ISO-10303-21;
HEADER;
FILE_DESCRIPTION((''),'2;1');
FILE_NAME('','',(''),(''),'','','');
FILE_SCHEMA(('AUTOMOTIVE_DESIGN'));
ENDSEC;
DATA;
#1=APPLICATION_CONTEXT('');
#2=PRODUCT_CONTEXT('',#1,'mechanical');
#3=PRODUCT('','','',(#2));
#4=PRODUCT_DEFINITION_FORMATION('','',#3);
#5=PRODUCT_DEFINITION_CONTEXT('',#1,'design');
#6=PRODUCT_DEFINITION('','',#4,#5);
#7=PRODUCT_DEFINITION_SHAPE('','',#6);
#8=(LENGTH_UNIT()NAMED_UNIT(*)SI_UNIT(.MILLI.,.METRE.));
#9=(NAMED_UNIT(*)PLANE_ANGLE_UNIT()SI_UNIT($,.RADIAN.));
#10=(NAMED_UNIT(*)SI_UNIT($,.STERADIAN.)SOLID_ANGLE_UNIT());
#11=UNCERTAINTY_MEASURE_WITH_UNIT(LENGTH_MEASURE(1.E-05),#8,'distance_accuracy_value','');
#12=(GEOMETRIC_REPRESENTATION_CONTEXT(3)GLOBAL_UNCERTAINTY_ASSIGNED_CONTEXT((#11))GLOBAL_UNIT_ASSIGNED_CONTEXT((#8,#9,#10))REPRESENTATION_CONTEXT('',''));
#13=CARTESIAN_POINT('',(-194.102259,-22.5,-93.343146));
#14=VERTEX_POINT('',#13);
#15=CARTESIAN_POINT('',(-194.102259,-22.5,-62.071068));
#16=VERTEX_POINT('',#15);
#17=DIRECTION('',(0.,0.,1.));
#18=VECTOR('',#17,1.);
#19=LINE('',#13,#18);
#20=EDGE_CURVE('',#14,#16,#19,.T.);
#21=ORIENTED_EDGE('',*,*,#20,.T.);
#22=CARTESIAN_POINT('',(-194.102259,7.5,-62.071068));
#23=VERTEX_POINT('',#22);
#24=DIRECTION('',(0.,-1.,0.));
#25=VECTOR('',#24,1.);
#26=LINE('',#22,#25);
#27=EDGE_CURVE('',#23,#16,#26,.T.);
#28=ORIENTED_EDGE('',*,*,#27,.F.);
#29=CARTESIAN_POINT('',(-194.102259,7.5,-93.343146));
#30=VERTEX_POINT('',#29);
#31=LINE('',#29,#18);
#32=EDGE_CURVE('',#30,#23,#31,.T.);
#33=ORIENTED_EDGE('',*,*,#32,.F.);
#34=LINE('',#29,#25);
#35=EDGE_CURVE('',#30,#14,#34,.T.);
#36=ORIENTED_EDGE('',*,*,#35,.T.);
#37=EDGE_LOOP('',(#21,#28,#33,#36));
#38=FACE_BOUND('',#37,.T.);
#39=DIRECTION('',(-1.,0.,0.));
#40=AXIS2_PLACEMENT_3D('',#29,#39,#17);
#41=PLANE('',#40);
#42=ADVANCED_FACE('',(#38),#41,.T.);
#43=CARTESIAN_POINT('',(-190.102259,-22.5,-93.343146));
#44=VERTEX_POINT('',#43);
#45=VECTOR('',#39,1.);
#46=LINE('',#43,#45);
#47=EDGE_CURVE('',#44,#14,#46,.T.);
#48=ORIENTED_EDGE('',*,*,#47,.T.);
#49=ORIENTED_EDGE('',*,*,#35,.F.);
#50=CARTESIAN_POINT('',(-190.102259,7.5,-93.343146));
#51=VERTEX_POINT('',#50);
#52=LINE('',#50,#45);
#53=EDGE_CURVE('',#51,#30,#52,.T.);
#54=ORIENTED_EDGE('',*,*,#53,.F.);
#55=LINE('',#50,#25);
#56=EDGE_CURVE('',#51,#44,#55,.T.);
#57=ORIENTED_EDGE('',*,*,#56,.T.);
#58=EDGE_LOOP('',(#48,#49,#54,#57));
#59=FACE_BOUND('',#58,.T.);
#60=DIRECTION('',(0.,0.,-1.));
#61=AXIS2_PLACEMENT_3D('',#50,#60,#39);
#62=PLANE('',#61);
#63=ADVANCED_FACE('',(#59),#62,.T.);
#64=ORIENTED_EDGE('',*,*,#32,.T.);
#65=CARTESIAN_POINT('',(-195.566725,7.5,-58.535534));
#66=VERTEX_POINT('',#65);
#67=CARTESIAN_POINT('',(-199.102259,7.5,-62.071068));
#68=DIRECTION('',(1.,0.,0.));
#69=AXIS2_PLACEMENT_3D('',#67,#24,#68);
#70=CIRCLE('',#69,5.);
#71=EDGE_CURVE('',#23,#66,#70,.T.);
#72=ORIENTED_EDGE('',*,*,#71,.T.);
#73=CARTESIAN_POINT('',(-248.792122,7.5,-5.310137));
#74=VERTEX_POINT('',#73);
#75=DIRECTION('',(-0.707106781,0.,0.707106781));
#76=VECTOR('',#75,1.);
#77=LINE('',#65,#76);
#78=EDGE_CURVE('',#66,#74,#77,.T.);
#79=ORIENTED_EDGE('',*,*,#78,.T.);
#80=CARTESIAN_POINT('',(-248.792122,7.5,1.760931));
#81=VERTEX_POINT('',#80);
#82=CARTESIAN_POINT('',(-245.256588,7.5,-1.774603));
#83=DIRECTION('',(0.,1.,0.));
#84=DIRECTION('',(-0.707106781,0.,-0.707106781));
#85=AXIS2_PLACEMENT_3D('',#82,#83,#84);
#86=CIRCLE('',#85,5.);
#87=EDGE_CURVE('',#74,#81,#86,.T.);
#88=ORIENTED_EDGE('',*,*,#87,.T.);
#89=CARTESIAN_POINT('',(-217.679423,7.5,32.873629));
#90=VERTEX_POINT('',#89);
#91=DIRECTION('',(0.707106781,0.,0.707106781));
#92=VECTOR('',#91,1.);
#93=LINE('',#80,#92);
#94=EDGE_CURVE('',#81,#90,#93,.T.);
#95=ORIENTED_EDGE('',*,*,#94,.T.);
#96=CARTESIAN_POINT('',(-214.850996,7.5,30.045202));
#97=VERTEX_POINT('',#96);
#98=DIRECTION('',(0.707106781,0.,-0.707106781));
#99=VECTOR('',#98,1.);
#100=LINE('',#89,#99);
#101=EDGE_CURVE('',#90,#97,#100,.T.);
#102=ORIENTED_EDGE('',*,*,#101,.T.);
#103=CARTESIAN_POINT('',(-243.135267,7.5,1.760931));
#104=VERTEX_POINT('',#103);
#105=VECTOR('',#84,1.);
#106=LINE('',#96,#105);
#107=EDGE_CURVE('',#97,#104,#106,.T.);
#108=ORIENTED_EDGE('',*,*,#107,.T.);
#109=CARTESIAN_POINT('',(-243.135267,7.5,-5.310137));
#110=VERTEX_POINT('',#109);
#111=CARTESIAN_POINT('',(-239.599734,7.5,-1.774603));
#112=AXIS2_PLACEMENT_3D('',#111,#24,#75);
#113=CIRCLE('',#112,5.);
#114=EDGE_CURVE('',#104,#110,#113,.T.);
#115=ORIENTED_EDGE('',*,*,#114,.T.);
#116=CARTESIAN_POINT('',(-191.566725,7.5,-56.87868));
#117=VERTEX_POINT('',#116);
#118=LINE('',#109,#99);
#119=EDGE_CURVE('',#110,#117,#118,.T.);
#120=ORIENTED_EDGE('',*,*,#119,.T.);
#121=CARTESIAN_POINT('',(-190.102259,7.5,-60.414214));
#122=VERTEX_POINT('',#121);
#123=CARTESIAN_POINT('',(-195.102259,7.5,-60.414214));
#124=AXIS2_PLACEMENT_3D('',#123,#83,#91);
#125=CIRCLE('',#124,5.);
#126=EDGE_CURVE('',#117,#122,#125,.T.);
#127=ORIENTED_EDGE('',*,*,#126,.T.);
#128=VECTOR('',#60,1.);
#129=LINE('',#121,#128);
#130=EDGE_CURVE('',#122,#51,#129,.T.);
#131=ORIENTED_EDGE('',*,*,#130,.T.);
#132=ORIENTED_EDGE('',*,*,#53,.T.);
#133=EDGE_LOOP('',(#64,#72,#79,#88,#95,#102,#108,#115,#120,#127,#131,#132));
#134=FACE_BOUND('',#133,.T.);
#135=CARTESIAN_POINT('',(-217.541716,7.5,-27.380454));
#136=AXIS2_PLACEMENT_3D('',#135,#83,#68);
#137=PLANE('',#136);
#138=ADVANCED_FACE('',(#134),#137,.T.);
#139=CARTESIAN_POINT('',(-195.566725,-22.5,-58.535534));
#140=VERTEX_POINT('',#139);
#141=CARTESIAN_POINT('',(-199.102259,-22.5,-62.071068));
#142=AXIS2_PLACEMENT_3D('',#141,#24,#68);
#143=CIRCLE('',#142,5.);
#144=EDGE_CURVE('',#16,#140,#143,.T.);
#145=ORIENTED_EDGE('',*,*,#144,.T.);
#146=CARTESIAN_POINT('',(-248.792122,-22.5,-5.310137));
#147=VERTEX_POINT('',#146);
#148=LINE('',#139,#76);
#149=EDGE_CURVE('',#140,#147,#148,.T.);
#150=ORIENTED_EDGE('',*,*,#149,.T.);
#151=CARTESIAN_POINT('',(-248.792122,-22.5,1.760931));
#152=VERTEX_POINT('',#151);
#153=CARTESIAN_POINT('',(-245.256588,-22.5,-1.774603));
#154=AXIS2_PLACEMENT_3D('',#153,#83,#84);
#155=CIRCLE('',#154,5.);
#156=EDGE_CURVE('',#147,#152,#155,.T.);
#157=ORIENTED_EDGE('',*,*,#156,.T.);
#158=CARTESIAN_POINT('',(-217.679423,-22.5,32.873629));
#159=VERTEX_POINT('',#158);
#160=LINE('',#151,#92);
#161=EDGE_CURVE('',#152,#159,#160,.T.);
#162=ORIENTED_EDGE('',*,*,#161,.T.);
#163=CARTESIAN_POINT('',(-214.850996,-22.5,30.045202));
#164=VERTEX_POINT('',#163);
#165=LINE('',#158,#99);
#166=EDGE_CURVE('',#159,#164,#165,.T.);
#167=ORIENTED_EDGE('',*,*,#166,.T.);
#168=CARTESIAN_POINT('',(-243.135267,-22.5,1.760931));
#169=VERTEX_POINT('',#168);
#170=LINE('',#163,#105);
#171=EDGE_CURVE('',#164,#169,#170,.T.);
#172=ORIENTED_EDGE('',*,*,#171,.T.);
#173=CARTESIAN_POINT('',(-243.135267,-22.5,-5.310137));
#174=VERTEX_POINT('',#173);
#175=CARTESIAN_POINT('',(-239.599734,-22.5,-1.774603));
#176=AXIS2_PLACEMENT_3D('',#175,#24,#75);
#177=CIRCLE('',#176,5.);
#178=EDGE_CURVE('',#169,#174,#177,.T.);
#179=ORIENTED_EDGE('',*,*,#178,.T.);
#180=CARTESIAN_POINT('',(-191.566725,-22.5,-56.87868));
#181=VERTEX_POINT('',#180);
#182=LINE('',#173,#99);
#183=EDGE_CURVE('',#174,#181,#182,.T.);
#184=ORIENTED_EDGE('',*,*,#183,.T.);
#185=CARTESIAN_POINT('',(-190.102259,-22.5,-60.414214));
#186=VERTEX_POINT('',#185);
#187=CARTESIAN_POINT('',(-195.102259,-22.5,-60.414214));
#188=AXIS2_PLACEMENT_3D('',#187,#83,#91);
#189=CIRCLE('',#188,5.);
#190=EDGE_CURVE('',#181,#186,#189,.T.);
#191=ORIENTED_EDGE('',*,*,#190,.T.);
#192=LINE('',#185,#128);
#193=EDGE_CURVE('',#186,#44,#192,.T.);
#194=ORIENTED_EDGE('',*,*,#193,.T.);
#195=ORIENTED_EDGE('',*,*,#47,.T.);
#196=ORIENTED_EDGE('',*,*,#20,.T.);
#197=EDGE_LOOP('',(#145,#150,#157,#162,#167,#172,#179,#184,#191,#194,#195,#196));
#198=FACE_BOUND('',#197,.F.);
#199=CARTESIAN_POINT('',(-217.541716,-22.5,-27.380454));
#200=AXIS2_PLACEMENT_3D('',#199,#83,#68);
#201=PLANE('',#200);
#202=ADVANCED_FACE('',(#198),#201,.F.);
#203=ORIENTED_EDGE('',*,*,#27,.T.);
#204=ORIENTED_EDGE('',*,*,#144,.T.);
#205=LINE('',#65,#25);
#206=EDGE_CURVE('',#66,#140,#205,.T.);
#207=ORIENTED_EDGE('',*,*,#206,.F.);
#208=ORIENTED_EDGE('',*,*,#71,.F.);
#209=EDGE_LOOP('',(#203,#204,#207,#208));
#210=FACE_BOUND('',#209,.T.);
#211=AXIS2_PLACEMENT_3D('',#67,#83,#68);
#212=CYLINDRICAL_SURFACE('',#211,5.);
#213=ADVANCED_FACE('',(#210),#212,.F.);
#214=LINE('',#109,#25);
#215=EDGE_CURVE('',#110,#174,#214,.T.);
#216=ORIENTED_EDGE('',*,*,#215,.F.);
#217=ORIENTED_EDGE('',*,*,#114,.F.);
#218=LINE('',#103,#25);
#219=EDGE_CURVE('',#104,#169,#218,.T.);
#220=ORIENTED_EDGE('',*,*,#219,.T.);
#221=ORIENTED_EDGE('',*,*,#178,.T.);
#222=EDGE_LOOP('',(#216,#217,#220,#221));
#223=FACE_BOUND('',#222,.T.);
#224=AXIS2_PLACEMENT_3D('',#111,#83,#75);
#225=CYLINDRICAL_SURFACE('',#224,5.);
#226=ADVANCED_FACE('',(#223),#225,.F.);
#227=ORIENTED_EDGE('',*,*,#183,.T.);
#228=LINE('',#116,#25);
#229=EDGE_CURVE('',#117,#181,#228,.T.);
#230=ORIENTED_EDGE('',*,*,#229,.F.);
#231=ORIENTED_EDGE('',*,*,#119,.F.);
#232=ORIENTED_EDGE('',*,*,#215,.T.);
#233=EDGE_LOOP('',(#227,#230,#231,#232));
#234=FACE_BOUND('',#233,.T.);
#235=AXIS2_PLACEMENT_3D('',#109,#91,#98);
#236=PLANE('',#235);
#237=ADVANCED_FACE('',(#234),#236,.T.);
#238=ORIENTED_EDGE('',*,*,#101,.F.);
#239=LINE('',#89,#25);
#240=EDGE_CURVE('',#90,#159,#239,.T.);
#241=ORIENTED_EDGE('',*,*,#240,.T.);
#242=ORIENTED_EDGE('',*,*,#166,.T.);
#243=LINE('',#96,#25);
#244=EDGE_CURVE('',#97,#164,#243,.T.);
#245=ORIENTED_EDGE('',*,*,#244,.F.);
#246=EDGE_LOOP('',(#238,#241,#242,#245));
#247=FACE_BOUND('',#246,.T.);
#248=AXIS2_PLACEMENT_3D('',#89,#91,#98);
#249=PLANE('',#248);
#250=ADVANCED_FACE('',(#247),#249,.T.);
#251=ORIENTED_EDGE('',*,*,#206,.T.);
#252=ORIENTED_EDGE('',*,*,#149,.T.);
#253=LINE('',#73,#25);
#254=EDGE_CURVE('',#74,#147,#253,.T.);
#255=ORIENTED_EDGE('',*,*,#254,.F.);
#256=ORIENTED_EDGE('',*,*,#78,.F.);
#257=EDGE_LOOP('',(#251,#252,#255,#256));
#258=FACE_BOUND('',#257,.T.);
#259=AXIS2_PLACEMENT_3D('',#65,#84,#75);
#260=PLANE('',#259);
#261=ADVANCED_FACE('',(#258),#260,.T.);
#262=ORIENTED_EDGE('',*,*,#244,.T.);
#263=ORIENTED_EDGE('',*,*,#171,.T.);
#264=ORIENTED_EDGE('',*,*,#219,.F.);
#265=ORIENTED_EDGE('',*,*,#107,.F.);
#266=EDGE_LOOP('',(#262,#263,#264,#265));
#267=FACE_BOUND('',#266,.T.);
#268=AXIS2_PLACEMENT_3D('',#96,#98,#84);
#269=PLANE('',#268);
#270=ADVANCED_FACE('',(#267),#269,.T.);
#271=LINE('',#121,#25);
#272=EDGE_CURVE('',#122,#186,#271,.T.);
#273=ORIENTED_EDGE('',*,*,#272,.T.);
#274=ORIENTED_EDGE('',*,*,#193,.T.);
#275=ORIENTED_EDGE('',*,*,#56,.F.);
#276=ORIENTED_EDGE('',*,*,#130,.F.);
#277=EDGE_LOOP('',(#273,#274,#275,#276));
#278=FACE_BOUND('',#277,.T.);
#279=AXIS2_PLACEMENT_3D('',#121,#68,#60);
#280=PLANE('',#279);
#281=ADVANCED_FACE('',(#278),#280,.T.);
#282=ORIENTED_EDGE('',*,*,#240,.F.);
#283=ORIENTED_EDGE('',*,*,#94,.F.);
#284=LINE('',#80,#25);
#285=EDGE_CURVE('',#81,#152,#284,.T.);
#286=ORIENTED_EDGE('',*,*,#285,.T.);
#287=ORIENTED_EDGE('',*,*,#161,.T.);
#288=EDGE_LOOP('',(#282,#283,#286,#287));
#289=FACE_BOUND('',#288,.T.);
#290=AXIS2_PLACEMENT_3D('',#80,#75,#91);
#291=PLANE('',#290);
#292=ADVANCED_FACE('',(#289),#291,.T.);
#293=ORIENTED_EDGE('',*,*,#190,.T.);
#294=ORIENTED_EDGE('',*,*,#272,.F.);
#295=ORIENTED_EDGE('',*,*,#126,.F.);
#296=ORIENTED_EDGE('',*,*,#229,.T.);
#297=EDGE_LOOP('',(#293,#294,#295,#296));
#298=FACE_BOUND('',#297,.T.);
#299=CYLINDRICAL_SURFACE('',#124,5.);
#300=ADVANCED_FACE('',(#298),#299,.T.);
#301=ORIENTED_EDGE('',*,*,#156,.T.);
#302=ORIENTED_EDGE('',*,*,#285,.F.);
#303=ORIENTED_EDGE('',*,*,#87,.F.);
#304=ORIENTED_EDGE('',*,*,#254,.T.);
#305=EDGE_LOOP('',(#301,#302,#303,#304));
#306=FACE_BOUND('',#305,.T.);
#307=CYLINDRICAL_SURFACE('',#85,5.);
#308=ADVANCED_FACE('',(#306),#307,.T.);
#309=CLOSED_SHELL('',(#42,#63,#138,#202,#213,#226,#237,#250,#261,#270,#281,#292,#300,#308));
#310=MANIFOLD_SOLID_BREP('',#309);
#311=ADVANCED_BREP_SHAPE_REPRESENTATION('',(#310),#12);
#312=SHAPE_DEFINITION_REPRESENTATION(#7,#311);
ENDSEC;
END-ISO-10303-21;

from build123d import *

# Parameters (mm, degrees)
BOSS_EXTRUDE1_DEPTH = 30


with BuildPart() as part:
    # Sketch1 → Boss-Extrude1 (new body)
    with BuildSketch(Plane(origin=(0, 7.5, 0), x_dir=(1, 0, 0), z_dir=(0, 1, 0))):
        with BuildLine():
            Line((-248.792121733, -1.76093065), (-217.679423361, -32.873629023))
            Line((-217.679423361, -32.873629023), (-214.850996236, -30.045201898))
            Line((-214.850996236, -30.045201898), (-243.135267484, -1.76093065))
            ThreePointArc((-243.135267484, -1.76093065), (-244.599733578, 1.774603256), (-243.135267484, 5.310137162))
            Line((-243.135267484, 5.310137162), (-191.566724989, 56.878679656))
            ThreePointArc((-191.566724989, 56.878679656), (-190.482861232, 58.500796401), (-190.102258895, 60.414213562))
            Line((-190.102258895, 60.414213562), (-190.102258895, 93.343145751))
            Line((-190.102258895, 93.343145751), (-194.102258895, 93.343145751))
            Line((-194.102258895, 93.343145751), (-194.102258895, 62.071067812))
            ThreePointArc((-194.102258895, 62.071067812), (-194.482861232, 60.15765065), (-195.566724989, 58.535533906))
            Line((-195.566724989, 58.535533906), (-248.792121733, 5.310137162))
            ThreePointArc((-248.792121733, 5.310137162), (-250.256587827, 1.774603256), (-248.792121733, -1.76093065))
        make_face()
    extrude(amount=-BOSS_EXTRUDE1_DEPTH)


solid = part.part
